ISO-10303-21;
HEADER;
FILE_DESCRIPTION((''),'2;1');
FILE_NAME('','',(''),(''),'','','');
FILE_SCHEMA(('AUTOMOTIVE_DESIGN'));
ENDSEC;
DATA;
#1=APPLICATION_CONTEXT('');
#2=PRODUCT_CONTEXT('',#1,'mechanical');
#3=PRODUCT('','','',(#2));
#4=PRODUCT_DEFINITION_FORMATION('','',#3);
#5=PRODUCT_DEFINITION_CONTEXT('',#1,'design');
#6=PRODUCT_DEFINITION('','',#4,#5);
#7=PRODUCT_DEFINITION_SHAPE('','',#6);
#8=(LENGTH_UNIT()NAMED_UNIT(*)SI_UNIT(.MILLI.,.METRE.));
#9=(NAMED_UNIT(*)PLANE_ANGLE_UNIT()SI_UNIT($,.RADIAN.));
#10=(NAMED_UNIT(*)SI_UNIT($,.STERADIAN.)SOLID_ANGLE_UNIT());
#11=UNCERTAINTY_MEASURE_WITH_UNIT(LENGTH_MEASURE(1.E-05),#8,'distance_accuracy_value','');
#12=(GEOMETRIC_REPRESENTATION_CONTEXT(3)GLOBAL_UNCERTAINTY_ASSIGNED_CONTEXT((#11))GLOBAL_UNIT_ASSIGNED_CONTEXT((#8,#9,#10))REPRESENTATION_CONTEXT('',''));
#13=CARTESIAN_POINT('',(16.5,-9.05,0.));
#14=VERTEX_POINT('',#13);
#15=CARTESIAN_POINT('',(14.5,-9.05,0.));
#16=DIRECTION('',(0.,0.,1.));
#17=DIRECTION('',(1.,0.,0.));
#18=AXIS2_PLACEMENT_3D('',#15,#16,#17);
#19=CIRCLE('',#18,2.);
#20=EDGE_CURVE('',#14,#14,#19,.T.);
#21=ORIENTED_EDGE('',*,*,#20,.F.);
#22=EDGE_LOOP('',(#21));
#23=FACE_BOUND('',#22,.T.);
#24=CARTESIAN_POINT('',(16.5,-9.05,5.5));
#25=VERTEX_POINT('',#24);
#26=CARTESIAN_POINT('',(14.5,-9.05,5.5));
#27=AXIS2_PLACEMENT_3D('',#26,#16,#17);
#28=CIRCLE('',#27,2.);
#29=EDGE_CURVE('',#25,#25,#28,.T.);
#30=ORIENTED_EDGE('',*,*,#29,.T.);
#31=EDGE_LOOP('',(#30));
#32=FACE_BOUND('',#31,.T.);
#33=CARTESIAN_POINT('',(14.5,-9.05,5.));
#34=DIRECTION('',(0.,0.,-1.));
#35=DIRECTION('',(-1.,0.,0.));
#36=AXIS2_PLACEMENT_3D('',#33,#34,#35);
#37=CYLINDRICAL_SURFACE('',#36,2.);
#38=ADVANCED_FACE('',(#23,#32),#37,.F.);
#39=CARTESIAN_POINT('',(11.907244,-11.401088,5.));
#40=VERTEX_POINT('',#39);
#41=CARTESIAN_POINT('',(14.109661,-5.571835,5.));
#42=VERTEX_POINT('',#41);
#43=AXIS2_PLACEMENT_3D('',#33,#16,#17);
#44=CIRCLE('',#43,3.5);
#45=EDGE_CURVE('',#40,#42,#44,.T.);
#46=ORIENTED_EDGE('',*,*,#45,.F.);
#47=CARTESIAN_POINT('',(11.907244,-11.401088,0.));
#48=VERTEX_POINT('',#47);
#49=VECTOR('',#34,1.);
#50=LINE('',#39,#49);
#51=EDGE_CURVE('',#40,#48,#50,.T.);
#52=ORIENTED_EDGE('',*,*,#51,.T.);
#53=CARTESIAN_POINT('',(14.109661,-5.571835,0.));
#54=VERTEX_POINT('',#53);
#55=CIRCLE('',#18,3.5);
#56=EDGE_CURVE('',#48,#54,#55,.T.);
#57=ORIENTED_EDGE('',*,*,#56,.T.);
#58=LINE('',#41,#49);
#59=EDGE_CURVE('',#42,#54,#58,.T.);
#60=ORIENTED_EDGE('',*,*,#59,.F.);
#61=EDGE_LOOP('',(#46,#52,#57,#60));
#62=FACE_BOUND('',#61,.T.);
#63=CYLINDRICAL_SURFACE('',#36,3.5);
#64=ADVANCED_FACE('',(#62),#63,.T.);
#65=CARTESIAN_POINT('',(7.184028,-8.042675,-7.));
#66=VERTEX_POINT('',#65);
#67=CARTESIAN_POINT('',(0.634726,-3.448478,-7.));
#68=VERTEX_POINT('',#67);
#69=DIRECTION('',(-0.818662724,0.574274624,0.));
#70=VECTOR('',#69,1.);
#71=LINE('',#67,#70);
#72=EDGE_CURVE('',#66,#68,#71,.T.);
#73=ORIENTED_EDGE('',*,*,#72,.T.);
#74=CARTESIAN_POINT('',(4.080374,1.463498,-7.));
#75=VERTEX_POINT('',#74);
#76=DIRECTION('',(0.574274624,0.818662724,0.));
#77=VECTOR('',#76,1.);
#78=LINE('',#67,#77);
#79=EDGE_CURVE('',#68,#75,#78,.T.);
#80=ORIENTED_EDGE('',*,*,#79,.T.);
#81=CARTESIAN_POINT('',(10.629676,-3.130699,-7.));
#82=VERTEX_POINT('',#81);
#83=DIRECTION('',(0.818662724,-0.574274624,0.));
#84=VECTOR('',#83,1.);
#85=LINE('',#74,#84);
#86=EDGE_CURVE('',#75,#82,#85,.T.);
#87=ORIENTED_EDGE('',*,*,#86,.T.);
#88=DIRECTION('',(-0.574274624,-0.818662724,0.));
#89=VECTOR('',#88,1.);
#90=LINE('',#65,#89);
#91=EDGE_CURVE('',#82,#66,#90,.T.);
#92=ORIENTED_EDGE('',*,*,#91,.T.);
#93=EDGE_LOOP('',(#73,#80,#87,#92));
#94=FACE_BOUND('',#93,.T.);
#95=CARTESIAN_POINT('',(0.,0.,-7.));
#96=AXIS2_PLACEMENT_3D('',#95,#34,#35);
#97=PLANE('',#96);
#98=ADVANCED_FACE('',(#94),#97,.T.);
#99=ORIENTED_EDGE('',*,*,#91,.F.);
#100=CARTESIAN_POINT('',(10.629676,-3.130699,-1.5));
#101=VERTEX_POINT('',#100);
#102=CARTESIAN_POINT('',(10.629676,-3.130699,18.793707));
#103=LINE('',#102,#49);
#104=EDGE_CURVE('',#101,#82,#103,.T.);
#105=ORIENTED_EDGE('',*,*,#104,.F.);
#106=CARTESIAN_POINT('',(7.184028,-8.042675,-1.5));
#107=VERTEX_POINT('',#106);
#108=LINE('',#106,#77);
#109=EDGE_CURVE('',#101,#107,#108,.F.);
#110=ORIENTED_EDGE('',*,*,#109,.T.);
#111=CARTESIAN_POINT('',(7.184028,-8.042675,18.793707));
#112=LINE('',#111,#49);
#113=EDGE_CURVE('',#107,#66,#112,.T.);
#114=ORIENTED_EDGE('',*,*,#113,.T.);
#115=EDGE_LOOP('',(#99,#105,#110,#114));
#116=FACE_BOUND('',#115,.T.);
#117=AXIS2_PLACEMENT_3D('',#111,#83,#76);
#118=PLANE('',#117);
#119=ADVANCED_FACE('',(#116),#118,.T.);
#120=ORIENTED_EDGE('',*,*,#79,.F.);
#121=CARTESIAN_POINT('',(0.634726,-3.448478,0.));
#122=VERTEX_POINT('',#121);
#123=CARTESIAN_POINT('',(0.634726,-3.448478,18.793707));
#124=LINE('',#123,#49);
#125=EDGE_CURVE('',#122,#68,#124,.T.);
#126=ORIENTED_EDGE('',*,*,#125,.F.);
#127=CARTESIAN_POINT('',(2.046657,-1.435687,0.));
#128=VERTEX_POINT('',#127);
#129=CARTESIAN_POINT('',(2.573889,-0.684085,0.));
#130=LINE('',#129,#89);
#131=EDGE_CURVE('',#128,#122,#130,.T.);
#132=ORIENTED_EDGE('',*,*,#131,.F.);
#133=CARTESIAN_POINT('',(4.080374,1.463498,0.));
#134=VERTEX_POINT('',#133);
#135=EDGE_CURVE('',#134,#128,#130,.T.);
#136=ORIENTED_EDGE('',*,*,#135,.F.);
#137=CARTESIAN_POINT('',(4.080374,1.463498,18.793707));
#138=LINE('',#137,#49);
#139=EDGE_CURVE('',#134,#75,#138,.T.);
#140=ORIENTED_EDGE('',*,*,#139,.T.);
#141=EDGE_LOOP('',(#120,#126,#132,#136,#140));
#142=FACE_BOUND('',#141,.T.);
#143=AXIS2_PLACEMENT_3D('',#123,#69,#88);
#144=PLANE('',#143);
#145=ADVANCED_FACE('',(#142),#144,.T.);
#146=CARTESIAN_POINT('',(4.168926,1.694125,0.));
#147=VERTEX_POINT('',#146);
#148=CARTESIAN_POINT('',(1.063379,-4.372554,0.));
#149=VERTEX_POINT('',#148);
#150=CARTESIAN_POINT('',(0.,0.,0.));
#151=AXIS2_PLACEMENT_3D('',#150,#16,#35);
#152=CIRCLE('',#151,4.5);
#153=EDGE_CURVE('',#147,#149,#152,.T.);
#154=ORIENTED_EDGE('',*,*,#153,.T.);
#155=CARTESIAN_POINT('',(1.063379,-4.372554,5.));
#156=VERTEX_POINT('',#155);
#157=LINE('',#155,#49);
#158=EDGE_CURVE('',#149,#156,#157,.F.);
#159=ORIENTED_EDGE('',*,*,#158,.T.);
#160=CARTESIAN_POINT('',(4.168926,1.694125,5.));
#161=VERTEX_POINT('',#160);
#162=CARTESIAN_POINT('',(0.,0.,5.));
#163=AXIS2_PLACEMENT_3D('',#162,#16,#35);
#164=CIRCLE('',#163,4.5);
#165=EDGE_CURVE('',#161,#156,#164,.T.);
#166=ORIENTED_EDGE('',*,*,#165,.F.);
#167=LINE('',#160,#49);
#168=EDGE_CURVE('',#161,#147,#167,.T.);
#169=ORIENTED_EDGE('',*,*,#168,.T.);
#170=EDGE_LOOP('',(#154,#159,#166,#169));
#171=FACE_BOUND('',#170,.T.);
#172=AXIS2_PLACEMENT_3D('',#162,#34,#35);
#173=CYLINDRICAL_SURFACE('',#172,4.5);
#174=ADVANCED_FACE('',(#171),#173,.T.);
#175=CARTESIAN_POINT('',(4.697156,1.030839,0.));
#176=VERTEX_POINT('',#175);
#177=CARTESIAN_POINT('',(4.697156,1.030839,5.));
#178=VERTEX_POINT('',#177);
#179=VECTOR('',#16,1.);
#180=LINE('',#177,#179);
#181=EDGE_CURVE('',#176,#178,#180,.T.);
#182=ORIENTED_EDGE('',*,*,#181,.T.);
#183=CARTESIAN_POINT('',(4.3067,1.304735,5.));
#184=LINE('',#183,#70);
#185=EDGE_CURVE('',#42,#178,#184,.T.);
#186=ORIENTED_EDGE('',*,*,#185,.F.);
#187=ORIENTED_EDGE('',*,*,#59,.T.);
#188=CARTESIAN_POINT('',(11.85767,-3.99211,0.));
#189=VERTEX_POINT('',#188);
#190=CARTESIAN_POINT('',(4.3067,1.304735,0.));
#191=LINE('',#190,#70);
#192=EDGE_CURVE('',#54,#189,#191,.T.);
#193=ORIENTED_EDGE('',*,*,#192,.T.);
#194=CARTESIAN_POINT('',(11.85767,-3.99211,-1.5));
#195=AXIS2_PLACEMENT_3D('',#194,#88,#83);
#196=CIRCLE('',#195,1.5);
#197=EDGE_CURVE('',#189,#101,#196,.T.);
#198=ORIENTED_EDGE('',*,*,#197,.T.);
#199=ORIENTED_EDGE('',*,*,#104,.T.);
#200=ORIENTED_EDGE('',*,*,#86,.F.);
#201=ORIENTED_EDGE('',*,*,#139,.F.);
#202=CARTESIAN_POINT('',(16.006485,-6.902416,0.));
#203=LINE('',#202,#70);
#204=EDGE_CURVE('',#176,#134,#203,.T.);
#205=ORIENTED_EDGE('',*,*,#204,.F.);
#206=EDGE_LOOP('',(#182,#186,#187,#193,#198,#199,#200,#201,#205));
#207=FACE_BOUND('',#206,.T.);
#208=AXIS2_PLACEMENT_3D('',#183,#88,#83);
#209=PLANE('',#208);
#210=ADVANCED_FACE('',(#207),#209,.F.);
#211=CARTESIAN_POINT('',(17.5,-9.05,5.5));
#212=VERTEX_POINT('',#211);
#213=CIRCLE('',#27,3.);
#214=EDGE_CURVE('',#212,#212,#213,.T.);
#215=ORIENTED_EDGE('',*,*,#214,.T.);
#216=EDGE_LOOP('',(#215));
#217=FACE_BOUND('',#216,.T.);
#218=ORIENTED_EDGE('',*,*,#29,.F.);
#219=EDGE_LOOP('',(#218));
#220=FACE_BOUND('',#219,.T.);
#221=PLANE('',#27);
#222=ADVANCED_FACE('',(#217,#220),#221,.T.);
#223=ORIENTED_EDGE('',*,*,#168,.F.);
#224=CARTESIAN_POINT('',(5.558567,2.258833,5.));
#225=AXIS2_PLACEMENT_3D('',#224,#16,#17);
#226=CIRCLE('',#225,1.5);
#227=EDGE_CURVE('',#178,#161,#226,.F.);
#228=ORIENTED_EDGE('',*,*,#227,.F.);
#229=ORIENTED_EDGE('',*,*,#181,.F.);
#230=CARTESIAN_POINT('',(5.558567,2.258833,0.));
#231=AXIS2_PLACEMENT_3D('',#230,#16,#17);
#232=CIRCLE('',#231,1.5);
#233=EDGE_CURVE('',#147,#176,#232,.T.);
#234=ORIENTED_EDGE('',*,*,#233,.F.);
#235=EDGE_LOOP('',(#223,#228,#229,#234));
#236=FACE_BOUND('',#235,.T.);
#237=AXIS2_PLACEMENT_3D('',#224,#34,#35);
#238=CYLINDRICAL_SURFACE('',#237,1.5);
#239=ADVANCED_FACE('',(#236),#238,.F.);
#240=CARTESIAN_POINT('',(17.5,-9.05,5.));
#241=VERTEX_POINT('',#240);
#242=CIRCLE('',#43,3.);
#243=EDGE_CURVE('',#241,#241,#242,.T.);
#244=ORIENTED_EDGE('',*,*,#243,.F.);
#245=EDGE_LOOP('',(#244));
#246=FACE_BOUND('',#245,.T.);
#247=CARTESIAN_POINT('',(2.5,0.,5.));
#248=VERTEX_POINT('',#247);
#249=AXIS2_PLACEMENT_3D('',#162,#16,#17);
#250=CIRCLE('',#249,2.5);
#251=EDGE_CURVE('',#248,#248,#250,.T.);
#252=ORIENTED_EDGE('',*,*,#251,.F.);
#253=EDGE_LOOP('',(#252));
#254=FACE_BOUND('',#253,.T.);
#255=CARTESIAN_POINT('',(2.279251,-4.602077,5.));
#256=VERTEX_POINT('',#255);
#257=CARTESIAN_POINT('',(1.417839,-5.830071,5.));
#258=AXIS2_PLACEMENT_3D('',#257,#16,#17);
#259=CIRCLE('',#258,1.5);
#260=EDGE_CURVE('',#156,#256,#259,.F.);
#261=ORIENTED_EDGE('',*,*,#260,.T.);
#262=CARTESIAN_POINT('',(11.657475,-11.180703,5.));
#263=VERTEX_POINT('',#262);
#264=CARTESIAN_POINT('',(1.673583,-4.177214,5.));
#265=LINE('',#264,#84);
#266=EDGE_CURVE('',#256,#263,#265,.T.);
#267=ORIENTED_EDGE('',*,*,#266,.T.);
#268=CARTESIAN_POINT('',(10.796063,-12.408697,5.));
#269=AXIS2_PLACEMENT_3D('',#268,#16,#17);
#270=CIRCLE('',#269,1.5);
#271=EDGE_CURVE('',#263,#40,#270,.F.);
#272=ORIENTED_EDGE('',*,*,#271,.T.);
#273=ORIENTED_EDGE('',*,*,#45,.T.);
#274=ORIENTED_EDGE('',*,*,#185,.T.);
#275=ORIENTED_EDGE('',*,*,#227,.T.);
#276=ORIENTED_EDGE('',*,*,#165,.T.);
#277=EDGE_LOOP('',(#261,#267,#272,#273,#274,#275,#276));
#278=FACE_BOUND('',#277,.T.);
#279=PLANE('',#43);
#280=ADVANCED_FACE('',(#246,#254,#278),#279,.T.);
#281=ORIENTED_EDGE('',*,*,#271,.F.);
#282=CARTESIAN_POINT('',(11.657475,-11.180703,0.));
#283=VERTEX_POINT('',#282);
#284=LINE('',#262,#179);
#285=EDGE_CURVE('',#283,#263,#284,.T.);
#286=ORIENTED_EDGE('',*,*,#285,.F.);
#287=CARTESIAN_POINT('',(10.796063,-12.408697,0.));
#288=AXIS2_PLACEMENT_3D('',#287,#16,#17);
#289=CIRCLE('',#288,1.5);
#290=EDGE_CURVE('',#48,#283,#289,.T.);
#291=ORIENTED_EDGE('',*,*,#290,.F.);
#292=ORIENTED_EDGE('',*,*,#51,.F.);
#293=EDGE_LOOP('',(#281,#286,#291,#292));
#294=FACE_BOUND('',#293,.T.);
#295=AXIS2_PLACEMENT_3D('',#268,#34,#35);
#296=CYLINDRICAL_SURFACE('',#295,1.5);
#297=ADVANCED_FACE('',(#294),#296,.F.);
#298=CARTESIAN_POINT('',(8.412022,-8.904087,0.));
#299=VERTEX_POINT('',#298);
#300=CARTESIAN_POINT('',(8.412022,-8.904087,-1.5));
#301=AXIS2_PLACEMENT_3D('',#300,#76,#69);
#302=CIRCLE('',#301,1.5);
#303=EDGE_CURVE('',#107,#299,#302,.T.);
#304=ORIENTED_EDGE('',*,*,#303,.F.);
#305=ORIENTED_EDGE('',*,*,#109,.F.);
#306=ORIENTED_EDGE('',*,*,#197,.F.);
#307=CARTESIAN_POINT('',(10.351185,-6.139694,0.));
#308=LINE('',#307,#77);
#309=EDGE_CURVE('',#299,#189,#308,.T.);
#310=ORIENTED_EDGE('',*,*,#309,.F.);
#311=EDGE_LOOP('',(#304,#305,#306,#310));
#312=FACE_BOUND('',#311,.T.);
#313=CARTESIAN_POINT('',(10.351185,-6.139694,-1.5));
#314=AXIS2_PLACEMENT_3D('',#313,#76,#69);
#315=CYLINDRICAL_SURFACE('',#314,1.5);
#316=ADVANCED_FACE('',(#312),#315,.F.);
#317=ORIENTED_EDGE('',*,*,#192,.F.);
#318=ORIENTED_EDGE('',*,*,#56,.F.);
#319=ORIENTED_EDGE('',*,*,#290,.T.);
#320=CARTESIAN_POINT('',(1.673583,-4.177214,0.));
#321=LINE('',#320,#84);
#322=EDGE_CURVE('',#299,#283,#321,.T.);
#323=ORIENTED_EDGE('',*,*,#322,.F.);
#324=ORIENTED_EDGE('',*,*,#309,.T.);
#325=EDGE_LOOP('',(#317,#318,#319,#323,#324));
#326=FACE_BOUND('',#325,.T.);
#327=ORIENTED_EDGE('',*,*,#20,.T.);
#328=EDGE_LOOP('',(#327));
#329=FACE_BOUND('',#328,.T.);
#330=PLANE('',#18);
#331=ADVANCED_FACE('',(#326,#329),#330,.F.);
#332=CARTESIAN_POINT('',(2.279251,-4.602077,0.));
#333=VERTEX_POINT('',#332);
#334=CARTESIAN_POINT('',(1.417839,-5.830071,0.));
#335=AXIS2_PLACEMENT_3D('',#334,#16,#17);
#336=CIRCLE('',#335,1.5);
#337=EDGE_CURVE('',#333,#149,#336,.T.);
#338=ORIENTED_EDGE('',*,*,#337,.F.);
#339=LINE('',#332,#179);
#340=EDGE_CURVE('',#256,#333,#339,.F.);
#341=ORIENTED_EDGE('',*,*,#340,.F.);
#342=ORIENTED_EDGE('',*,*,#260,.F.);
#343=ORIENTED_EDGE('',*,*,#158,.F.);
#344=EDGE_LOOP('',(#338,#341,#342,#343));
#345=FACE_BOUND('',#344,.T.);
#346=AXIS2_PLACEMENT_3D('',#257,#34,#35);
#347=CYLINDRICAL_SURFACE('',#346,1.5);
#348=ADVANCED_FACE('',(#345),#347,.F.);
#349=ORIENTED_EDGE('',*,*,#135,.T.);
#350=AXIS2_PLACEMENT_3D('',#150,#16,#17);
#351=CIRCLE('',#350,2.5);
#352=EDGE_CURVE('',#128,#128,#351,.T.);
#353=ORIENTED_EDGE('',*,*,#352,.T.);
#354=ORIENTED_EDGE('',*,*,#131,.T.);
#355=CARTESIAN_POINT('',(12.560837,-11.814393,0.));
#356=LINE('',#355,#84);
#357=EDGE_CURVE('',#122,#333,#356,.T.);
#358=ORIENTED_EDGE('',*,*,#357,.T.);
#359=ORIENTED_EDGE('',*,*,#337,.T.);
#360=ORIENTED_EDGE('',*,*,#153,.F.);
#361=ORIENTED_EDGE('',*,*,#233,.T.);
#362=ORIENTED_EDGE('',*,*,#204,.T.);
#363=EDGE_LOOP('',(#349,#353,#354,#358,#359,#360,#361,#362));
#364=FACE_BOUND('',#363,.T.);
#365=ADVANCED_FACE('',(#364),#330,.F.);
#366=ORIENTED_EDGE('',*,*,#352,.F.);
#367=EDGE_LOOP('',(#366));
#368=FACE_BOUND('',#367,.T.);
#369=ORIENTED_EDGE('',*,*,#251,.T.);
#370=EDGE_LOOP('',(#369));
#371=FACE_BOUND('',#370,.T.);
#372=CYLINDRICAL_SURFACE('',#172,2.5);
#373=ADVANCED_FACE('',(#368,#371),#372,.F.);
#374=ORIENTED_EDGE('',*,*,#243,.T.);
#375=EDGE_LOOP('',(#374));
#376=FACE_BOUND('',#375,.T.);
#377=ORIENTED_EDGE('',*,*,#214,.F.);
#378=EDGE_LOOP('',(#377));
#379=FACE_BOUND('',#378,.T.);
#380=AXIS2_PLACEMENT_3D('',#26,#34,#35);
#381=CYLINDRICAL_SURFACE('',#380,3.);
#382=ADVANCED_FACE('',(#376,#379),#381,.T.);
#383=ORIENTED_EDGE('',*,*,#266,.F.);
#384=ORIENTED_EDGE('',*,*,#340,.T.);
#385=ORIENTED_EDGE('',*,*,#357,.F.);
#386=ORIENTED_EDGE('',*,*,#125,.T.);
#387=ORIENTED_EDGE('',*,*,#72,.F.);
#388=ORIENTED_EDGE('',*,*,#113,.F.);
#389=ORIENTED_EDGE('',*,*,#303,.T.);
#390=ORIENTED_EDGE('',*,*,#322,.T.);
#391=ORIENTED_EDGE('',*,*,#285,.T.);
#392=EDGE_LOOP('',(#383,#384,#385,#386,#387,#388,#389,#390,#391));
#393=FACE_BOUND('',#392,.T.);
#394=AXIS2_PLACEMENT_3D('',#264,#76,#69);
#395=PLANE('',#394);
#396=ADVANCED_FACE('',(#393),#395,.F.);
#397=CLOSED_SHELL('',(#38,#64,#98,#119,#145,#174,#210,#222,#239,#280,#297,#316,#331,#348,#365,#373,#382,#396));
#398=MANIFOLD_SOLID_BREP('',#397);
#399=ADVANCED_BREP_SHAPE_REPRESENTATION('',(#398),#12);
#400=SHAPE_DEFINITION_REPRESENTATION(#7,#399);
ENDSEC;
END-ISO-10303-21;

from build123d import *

# Parameters (mm, degrees)
SKETCH_4_R           = 2.0000000000000924
SKETCH_4_R_2         = 2.5
EXTRUDE_1_DEPTH      = 5
EXTRUDE_2_DEPTH      = 7
EXTRUDE_2_DEPTH_BACK = 5
FILLET_3_R           = 1.5
FILLET_4_R           = 1.5
SKETCH_6_R           = 3.0000000000000897
SKETCH_6_R_2         = 2.0000000000000884
EXTRUDE_3_DEPTH      = 0.5


with BuildPart() as part:
    # 草图4 → 凸台-拉伸1 (new body)
    with BuildSketch(Plane.XY):
        with BuildLine():
            Line((4.306700056173786, 1.3047354621350271), (14.109660641900325, -5.571834508606824))
            ThreePointArc((14.109660641900325, -5.571834508606824), (17.74630975952625, -10.35823275650958), (11.807053976651485, -11.285630048852315))
            Line((11.807053976651485, -11.285630048852315), (1.6735833284293933, -4.177214244302438))
            ThreePointArc((1.6735833284293933, -4.177214244302438), (-4.056339542742652, 1.948360724810045), (4.306700056173786, 1.3047354621350271))
        make_face()
        with Locations((14.500000000000004, -9.05)):
            Circle(SKETCH_4_R, mode=Mode.SUBTRACT)
        Circle(SKETCH_4_R_2, mode=Mode.SUBTRACT)
    extrude(amount=EXTRUDE_1_DEPTH)

    # 草图5 → 凸台-拉伸2 (add, two sides: drawn at the far end of the back side and taken through both)
    with BuildSketch(Plane(origin=(0, 0, 0), x_dir=(-1, 0, 0), z_dir=(0, 0, -1)).offset(-EXTRUDE_2_DEPTH_BACK)):
        Polygon((-0.6347261790104263, -3.4484778778636556), (-7.184027973017892, -8.042674870920285), (-10.629675717810366, -3.130698525414685), (-4.080373923802897, 1.463498467641941), align=None)
    extrude(amount=EXTRUDE_2_DEPTH + EXTRUDE_2_DEPTH_BACK)

    # 圆角3
    fillet_3_edges = [part.edges().sort_by_distance(p)[0] for p in [
        (8.90685184541413, -5.586686698167485, 0),
        (4.306700056173785, 1.3047354621350273, 2.5),
    ]]
    fillet(fillet_3_edges, radius=FILLET_3_R)

    # 圆角4
    fillet_4_edges = [part.edges().sort_by_distance(p)[0] for p in [
        (11.807053976651485, -11.285630048852315, 2.5),
        (1.6735833284293933, -4.177214244302439, 2.5),
    ]]
    fillet(fillet_4_edges, radius=FILLET_4_R)

    # 草图6 → 凸台-拉伸3 (add)
    with BuildSketch(Plane.XY.offset(5)):
        with Locations((14.500000000000004, -9.05)):
            Circle(SKETCH_6_R)
        with Locations((14.500000000000004, -9.05)):
            Circle(SKETCH_6_R_2, mode=Mode.SUBTRACT)
    extrude(amount=EXTRUDE_3_DEPTH)


solid = part.part
